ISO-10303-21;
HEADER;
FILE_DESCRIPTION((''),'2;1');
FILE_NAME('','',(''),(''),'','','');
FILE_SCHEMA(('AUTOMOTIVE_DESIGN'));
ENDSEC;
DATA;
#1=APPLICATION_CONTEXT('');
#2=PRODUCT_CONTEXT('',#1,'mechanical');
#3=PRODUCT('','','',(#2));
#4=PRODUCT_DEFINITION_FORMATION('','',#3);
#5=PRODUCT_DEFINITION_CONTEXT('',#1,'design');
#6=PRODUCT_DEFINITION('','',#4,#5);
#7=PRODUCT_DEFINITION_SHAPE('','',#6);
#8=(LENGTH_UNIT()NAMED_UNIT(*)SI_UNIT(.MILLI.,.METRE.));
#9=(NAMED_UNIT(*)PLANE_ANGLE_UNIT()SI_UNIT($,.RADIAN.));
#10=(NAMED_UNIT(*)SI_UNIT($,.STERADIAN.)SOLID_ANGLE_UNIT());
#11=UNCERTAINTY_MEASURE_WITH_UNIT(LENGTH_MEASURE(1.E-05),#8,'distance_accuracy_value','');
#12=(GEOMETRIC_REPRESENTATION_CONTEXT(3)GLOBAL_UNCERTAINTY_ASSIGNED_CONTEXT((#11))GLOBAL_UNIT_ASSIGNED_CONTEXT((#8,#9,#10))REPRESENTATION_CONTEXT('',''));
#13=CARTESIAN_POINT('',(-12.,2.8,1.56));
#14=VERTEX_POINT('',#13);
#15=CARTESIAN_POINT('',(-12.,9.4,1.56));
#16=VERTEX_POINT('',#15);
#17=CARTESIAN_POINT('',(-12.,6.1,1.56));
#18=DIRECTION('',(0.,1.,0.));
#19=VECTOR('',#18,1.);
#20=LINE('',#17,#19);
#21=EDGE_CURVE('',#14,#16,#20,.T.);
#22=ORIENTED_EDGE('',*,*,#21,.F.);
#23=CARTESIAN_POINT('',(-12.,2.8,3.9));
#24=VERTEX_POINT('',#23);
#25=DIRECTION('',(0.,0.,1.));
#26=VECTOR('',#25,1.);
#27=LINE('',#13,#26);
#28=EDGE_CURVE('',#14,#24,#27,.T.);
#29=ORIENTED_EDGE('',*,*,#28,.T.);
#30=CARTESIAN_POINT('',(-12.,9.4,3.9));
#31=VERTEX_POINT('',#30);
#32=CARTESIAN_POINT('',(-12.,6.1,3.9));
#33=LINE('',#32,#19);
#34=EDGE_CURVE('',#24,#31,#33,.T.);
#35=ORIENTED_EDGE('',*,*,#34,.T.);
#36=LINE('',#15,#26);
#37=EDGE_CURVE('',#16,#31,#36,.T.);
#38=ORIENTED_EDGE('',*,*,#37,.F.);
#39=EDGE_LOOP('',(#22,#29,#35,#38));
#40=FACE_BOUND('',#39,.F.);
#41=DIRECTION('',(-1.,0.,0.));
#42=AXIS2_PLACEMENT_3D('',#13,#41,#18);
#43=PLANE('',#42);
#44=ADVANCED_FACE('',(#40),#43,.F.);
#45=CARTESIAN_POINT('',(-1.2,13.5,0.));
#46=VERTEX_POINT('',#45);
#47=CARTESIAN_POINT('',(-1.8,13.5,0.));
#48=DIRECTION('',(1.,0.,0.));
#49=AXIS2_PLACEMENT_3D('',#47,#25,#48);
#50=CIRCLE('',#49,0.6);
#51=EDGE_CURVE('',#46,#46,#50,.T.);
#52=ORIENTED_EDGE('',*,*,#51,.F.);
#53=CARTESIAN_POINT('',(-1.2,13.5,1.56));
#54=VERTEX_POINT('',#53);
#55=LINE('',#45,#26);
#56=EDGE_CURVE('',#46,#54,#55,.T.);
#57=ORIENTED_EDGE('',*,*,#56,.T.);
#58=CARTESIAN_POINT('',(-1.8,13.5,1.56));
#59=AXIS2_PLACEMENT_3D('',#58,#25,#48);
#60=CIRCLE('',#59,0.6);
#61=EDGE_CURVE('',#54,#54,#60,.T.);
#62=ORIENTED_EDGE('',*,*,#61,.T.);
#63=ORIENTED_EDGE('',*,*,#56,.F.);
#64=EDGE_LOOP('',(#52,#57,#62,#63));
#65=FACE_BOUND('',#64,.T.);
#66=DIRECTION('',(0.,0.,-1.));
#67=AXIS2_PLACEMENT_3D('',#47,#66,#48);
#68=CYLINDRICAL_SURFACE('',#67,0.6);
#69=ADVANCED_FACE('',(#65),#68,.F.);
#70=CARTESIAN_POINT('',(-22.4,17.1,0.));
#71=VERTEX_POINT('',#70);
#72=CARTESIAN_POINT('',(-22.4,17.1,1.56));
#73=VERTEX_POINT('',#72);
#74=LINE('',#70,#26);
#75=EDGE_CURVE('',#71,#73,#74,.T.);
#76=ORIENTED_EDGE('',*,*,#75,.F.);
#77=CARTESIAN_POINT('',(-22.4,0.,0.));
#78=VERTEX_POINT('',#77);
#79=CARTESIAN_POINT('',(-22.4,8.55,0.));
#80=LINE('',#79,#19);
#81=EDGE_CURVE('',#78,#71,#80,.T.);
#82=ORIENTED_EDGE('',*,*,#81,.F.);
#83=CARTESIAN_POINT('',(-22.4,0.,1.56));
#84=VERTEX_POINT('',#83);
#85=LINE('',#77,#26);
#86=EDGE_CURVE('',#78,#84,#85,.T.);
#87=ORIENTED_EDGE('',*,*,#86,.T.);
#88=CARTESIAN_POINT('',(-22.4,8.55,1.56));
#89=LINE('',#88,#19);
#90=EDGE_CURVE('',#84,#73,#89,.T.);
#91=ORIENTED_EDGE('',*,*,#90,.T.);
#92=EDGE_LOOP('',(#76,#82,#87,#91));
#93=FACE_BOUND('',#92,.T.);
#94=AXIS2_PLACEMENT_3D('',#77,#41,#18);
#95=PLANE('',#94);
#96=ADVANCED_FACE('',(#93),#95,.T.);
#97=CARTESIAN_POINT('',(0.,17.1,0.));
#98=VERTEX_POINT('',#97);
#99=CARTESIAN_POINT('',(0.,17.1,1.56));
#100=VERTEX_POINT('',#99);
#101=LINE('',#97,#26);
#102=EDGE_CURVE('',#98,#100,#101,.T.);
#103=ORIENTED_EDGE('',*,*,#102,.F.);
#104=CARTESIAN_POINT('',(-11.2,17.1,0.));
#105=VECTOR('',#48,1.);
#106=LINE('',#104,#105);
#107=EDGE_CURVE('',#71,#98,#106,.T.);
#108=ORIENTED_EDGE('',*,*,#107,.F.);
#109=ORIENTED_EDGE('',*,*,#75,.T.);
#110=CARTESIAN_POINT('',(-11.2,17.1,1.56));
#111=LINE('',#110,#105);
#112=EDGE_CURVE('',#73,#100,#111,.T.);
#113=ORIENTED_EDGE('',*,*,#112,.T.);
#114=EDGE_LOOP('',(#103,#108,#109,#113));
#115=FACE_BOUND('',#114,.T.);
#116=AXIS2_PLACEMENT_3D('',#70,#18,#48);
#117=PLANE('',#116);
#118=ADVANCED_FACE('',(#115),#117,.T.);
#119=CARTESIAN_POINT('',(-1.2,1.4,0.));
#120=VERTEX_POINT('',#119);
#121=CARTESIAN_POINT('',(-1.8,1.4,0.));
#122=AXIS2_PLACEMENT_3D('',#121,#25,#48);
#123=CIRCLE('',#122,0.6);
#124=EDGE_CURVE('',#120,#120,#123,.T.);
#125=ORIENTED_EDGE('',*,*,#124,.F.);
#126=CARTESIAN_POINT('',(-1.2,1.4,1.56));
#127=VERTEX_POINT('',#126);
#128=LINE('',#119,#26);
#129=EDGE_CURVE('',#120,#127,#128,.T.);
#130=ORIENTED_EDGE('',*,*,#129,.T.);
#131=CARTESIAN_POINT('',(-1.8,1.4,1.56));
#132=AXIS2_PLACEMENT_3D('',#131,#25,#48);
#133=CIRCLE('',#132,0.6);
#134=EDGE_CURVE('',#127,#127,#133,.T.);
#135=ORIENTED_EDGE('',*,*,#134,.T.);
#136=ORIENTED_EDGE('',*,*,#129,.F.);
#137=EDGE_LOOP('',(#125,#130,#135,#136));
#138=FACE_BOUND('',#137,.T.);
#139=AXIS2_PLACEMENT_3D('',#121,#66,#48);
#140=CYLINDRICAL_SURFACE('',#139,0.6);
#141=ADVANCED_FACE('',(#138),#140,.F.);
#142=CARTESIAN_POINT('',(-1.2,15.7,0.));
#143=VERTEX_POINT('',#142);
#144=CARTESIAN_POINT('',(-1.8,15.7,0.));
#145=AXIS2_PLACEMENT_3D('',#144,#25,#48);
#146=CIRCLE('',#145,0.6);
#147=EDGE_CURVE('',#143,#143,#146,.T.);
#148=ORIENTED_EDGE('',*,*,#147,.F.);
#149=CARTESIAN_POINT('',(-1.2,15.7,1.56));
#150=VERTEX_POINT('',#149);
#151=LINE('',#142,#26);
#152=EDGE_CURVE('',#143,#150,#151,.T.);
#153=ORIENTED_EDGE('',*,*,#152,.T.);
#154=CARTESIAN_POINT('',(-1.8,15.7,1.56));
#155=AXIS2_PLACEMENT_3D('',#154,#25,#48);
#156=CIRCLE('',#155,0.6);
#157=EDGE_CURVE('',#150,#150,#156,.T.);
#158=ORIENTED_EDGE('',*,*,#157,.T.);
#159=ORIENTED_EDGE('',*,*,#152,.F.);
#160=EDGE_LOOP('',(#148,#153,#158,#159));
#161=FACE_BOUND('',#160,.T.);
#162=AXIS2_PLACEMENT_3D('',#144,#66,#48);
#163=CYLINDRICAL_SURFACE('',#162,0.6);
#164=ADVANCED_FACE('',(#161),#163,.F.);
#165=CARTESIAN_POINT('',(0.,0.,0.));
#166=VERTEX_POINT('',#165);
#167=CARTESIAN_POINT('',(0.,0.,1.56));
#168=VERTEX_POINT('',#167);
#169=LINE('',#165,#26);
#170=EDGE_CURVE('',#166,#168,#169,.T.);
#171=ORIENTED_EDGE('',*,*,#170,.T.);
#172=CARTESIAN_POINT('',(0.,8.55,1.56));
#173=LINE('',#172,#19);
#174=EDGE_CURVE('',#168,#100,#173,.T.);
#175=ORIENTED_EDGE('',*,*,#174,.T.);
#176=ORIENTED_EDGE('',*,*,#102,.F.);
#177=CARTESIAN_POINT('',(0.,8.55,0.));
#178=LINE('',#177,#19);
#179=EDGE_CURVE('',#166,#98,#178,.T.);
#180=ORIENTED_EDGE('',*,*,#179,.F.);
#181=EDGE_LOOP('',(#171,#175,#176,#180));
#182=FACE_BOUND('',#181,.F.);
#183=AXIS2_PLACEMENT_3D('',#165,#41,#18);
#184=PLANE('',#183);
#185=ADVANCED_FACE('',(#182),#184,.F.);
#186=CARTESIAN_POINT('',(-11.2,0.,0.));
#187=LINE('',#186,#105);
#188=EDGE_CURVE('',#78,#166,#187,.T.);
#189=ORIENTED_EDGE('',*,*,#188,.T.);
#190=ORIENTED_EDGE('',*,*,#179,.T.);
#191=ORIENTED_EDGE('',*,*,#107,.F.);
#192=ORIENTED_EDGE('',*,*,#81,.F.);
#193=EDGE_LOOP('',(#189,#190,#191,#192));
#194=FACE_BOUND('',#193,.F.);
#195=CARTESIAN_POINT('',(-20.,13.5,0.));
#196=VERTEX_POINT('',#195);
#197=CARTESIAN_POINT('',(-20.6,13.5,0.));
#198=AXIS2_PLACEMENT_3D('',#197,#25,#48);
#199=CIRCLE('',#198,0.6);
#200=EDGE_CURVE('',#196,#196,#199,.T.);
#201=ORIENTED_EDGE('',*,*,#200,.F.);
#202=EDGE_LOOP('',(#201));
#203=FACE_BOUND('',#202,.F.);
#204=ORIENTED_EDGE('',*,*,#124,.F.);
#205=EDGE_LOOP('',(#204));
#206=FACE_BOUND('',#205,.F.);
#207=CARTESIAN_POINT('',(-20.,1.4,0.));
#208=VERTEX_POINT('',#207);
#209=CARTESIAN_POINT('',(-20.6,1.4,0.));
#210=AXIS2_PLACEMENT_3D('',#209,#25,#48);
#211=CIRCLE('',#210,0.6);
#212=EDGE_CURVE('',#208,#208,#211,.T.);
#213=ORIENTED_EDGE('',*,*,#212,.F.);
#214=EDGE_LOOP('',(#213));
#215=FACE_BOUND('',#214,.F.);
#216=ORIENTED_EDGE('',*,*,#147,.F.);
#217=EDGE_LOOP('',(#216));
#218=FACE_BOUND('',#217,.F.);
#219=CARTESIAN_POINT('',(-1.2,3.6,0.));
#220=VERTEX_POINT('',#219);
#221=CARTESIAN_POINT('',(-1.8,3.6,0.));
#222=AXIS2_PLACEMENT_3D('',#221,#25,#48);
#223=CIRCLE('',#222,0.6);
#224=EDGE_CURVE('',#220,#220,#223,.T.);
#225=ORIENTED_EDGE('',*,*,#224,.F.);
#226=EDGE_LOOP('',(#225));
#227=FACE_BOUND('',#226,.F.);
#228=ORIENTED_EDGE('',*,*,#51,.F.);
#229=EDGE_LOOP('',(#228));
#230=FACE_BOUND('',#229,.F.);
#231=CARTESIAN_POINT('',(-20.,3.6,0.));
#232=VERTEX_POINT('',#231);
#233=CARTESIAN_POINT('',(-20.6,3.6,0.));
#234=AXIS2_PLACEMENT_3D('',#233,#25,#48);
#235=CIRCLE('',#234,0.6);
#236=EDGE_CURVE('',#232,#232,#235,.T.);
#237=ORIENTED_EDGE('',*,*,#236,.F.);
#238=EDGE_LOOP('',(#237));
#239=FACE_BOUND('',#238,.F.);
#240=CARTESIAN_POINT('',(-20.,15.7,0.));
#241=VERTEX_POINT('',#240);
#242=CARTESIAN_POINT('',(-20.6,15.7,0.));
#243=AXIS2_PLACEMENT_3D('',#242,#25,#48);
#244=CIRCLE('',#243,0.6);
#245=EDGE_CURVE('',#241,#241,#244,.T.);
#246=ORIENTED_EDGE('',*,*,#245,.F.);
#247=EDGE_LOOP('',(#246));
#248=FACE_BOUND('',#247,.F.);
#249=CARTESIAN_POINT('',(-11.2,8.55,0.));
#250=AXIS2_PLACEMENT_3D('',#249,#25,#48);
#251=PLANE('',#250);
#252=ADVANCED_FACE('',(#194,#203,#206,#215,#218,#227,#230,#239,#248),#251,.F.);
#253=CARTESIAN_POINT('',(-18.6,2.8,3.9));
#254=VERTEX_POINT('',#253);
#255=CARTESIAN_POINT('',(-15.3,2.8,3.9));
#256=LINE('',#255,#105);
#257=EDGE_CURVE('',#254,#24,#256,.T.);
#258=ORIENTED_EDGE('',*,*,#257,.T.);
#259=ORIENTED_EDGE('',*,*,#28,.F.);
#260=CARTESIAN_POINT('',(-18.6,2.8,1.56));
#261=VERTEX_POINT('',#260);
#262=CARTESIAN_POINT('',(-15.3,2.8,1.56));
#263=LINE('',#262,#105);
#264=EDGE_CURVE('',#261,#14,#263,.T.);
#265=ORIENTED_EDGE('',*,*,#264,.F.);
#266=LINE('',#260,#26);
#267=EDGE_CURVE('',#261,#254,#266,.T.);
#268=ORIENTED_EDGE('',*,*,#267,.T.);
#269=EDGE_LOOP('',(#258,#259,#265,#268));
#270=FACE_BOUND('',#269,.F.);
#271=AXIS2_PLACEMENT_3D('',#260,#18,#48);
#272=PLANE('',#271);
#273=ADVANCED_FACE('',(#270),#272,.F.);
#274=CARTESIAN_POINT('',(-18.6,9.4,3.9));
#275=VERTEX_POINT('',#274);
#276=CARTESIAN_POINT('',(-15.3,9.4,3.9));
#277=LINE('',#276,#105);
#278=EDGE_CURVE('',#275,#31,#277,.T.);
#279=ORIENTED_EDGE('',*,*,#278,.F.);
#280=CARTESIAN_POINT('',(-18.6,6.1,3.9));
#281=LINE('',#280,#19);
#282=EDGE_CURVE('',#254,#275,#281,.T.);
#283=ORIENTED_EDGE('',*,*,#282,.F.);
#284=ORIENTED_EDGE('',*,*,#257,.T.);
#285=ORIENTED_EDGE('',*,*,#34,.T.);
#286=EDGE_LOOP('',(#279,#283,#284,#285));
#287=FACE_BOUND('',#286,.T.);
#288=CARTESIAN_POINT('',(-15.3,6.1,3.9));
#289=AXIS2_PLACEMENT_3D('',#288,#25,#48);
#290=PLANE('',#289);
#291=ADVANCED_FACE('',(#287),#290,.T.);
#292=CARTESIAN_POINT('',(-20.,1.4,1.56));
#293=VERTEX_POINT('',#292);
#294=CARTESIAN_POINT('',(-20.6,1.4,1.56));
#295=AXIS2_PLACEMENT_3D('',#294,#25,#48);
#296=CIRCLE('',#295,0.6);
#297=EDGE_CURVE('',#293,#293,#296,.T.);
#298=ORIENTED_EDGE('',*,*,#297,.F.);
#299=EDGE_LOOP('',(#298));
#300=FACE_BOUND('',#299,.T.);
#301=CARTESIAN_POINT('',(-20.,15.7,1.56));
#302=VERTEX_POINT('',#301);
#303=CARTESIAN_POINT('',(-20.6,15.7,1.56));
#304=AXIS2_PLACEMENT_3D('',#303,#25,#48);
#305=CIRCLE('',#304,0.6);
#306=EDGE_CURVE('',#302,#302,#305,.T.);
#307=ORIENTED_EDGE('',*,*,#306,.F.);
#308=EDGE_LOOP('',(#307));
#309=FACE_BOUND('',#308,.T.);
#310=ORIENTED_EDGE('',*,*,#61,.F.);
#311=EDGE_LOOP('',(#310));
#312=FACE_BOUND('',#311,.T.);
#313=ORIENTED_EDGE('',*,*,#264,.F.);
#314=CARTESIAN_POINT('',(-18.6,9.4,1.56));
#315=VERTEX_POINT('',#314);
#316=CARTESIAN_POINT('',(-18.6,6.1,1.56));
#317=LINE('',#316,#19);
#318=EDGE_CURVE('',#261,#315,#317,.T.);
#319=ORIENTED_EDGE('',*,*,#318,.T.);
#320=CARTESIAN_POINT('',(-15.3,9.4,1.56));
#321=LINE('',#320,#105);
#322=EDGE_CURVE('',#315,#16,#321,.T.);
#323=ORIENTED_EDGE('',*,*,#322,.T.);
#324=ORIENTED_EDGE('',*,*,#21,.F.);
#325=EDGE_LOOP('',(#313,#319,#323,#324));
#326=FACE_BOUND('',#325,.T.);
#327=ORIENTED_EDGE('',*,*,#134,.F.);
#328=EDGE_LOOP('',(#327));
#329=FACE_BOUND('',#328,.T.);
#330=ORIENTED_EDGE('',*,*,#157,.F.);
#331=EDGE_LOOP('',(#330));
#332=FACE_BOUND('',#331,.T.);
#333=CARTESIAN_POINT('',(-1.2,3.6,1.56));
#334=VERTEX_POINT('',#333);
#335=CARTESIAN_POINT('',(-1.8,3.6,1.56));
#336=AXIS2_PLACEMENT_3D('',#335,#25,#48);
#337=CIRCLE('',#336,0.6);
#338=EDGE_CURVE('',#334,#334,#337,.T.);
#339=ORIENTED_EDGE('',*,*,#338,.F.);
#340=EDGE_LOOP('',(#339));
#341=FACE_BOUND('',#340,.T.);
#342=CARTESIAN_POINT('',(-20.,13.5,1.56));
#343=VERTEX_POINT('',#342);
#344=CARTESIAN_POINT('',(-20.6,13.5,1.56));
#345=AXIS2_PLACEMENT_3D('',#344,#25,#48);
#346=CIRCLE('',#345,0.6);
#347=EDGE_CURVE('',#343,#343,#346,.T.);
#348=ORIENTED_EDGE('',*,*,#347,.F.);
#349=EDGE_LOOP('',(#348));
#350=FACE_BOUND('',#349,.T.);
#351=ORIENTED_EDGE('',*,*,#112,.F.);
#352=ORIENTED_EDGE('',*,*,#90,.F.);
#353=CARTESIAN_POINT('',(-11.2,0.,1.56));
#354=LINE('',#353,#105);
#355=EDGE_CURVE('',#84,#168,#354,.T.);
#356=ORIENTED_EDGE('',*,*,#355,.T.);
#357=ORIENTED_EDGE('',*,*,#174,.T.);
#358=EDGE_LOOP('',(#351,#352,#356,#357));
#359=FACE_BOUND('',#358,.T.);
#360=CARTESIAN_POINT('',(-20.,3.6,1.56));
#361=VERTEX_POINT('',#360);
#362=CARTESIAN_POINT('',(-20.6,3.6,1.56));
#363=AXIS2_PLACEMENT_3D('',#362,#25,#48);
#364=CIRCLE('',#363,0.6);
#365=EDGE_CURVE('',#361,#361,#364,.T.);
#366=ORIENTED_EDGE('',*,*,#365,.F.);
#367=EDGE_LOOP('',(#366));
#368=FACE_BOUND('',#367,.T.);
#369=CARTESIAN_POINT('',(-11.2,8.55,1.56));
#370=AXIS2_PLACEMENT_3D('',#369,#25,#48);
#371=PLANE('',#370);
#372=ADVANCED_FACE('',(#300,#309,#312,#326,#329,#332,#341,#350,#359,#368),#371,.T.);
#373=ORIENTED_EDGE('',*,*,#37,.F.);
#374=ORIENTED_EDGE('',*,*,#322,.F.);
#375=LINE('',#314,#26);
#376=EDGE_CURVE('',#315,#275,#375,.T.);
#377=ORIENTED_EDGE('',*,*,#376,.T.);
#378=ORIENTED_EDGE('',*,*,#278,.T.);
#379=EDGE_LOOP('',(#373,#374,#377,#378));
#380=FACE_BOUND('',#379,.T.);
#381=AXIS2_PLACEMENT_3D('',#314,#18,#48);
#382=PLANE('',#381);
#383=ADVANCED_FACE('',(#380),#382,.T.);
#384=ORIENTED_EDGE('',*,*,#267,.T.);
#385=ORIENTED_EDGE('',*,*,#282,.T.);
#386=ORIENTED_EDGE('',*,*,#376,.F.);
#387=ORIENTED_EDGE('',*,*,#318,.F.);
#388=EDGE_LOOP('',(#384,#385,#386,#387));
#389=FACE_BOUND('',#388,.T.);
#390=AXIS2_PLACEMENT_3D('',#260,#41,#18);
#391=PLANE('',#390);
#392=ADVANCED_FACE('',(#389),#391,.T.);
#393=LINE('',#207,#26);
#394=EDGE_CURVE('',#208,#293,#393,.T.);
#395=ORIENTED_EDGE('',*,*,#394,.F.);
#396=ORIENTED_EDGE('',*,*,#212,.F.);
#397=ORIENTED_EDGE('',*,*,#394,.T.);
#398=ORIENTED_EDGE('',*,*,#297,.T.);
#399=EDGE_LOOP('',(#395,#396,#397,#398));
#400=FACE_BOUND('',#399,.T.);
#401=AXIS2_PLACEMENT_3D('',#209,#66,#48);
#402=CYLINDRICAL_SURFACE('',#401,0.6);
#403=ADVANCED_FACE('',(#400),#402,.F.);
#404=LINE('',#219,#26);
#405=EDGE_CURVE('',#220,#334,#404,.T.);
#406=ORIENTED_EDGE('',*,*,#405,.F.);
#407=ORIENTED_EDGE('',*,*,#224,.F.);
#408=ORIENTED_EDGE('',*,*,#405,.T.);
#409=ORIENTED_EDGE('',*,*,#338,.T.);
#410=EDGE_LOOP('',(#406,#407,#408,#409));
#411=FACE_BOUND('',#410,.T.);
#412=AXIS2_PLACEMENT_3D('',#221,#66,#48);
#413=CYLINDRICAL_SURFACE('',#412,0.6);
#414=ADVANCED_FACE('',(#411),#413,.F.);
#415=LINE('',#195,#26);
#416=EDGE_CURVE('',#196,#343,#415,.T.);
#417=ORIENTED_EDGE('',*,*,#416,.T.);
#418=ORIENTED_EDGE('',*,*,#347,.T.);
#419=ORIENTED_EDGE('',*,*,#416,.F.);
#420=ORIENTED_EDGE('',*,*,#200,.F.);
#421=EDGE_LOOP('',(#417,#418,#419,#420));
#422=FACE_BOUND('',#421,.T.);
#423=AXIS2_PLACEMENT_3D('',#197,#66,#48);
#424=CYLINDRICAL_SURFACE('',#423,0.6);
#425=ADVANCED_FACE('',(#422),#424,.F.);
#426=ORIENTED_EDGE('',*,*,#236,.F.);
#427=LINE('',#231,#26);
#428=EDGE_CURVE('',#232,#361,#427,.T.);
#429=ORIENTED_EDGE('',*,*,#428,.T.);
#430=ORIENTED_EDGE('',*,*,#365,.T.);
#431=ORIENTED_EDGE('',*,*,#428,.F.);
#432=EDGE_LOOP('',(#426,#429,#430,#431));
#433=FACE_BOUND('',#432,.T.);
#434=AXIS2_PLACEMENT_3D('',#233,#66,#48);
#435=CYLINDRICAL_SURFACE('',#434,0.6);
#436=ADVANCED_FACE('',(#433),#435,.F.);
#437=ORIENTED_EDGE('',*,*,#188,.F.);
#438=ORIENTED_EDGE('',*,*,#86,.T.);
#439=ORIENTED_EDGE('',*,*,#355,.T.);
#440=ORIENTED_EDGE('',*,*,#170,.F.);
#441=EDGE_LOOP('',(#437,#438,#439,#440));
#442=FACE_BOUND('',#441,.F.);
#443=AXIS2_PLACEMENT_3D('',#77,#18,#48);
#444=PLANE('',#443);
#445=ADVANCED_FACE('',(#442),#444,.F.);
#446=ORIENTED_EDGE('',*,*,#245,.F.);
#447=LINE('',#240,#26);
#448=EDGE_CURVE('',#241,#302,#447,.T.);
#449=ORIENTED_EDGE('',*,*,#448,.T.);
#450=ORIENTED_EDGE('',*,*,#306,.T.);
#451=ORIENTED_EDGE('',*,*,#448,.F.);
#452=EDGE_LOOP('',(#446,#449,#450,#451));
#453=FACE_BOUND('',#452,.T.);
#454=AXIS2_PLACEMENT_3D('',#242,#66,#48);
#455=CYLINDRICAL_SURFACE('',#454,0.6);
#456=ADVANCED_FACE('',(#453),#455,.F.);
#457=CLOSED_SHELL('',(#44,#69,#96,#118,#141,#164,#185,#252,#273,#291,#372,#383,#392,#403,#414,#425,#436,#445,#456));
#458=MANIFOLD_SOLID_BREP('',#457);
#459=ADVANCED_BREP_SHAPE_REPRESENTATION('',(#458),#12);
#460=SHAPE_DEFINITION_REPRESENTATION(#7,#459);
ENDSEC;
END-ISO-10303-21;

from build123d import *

# Parameters (mm, degrees)
F0_W     = 22.4
F0_H     = 17.1
F0_R     = 0.6
F1_DEPTH = 1.56
F2_W     = 6.6
F2_H     = 6.6
F3_DEPTH = 2.34


with BuildPart() as f1:
    # F0 (on Top) → F1 (new body)
    with BuildSketch(Plane.XY):
        with Locations((-11.2, 8.55)):
            Rectangle(F0_W, F0_H)
        with Locations((-20.6, 1.4)):
            Circle(F0_R, mode=Mode.SUBTRACT)
        with Locations((-20.6, 3.6)):
            Circle(F0_R, mode=Mode.SUBTRACT)
        with Locations((-1.8, 1.4)):
            Circle(F0_R, mode=Mode.SUBTRACT)
        with Locations((-1.8, 3.6)):
            Circle(F0_R, mode=Mode.SUBTRACT)
        with Locations((-20.6, 13.5)):
            Circle(F0_R, mode=Mode.SUBTRACT)
        with Locations((-20.6, 15.7)):
            Circle(F0_R, mode=Mode.SUBTRACT)
        with Locations((-1.8, 13.5)):
            Circle(F0_R, mode=Mode.SUBTRACT)
        with Locations((-1.8, 15.7)):
            Circle(F0_R, mode=Mode.SUBTRACT)
    extrude(amount=F1_DEPTH)

    # F2 (on face) → F3 (join)
    with BuildSketch(Plane.XY.offset(1.56)):
        with Locations((-15.3, 6.1)):
            Rectangle(F2_W, F2_H)
    extrude(amount=F3_DEPTH)


solid = f1.part
